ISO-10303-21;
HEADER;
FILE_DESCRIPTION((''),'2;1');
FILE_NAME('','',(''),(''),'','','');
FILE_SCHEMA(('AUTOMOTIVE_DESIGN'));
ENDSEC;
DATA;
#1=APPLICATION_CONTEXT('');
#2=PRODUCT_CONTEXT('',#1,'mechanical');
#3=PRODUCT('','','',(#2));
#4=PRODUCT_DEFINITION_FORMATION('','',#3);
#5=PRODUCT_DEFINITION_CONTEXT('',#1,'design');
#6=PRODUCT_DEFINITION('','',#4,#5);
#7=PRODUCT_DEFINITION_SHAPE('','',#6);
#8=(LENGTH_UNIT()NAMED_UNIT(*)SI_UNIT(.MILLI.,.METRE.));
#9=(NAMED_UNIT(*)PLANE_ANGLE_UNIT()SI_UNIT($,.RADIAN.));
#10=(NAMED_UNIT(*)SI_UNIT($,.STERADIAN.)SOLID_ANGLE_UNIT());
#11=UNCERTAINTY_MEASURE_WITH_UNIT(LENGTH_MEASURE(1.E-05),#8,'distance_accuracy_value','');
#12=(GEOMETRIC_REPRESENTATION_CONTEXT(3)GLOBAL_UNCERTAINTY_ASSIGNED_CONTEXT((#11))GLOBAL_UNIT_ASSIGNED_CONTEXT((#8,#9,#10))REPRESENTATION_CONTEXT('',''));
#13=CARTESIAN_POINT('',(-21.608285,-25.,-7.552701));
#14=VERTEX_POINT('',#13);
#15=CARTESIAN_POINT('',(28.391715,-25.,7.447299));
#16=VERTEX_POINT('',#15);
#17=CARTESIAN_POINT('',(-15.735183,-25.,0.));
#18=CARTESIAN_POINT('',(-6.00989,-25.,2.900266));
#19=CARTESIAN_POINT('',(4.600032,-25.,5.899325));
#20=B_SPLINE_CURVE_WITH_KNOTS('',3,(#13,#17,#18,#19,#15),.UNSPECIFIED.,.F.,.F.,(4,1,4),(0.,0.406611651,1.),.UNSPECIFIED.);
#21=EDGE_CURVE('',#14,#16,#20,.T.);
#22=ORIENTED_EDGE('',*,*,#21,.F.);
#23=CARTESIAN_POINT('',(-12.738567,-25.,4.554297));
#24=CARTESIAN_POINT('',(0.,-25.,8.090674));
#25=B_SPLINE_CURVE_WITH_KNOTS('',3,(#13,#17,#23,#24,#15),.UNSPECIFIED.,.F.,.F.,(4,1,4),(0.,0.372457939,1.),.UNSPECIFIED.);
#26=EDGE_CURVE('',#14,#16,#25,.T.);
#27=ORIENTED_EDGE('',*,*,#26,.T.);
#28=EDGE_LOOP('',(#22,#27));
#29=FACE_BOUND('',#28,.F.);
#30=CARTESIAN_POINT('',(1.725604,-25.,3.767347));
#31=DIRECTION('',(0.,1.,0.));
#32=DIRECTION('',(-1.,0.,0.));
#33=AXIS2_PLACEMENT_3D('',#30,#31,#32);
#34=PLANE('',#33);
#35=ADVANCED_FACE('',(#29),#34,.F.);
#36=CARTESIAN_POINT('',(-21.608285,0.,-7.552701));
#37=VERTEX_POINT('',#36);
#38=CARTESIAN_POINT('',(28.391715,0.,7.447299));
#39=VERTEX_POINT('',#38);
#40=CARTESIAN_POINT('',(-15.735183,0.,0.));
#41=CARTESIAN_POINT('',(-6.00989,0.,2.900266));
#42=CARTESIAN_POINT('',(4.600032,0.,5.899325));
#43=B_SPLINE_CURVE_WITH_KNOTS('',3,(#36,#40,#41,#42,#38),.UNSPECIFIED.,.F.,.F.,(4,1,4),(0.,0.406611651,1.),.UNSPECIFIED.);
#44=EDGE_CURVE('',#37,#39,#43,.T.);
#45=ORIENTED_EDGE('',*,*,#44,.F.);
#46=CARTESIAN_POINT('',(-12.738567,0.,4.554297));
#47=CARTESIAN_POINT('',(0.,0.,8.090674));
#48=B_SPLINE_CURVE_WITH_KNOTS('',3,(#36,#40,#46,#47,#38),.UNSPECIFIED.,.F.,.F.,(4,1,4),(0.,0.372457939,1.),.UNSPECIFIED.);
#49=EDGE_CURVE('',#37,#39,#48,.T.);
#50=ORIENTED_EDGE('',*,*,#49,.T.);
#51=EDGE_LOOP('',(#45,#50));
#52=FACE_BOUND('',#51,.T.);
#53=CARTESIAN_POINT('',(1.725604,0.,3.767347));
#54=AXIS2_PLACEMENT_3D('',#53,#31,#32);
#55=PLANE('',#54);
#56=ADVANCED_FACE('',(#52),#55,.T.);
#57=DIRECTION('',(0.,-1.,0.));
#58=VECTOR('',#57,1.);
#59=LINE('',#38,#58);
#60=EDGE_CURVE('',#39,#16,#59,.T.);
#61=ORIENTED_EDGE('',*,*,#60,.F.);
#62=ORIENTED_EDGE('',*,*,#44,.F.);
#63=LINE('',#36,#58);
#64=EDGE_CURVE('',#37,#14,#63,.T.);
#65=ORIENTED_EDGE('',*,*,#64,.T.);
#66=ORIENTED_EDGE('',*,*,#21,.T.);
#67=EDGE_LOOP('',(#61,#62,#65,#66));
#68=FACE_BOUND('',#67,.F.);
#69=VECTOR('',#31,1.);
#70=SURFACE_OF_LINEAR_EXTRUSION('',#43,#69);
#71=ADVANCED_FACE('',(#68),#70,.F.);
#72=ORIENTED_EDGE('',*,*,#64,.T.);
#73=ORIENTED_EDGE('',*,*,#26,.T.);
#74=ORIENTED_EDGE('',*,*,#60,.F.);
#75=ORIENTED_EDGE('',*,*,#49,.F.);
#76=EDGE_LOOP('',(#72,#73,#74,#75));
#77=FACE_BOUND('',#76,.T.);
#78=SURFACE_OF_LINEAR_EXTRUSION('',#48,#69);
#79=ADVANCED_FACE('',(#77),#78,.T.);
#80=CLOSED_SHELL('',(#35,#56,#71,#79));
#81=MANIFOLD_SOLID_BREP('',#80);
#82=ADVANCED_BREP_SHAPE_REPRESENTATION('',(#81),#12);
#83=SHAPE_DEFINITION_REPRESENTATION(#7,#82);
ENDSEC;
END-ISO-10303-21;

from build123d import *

# Parameters (mm, degrees)
F1_DEPTH = 25


with BuildPart() as f1:
    # F0 (on Front) → F1 (new body)
    with BuildSketch(Plane.XZ):
        with BuildLine():
            add(Edge.make_bspline(
                [(-21.6082849153, -7.5527009555), (-15.7351829112, 0), (-12.7385670289, 4.5542974999), (0, 8.0906739458), (28.3917150847, 7.4472990445)],
                knots=[0, 0, 0, 0, 0.3724579392, 1, 1, 1, 1], degree=3))
            add(Edge.make_bspline(
                [(-21.6082849153, -7.5527009555), (-15.7351829112, 0), (-6.0098896106, 2.9002657798), (4.6000322327, 5.8993245475), (28.3917150847, 7.4472990445)],
                knots=[0, 0, 0, 0, 0.4066116514, 1, 1, 1, 1], degree=3))
        make_face()
    extrude(amount=F1_DEPTH)


solid = f1.part
